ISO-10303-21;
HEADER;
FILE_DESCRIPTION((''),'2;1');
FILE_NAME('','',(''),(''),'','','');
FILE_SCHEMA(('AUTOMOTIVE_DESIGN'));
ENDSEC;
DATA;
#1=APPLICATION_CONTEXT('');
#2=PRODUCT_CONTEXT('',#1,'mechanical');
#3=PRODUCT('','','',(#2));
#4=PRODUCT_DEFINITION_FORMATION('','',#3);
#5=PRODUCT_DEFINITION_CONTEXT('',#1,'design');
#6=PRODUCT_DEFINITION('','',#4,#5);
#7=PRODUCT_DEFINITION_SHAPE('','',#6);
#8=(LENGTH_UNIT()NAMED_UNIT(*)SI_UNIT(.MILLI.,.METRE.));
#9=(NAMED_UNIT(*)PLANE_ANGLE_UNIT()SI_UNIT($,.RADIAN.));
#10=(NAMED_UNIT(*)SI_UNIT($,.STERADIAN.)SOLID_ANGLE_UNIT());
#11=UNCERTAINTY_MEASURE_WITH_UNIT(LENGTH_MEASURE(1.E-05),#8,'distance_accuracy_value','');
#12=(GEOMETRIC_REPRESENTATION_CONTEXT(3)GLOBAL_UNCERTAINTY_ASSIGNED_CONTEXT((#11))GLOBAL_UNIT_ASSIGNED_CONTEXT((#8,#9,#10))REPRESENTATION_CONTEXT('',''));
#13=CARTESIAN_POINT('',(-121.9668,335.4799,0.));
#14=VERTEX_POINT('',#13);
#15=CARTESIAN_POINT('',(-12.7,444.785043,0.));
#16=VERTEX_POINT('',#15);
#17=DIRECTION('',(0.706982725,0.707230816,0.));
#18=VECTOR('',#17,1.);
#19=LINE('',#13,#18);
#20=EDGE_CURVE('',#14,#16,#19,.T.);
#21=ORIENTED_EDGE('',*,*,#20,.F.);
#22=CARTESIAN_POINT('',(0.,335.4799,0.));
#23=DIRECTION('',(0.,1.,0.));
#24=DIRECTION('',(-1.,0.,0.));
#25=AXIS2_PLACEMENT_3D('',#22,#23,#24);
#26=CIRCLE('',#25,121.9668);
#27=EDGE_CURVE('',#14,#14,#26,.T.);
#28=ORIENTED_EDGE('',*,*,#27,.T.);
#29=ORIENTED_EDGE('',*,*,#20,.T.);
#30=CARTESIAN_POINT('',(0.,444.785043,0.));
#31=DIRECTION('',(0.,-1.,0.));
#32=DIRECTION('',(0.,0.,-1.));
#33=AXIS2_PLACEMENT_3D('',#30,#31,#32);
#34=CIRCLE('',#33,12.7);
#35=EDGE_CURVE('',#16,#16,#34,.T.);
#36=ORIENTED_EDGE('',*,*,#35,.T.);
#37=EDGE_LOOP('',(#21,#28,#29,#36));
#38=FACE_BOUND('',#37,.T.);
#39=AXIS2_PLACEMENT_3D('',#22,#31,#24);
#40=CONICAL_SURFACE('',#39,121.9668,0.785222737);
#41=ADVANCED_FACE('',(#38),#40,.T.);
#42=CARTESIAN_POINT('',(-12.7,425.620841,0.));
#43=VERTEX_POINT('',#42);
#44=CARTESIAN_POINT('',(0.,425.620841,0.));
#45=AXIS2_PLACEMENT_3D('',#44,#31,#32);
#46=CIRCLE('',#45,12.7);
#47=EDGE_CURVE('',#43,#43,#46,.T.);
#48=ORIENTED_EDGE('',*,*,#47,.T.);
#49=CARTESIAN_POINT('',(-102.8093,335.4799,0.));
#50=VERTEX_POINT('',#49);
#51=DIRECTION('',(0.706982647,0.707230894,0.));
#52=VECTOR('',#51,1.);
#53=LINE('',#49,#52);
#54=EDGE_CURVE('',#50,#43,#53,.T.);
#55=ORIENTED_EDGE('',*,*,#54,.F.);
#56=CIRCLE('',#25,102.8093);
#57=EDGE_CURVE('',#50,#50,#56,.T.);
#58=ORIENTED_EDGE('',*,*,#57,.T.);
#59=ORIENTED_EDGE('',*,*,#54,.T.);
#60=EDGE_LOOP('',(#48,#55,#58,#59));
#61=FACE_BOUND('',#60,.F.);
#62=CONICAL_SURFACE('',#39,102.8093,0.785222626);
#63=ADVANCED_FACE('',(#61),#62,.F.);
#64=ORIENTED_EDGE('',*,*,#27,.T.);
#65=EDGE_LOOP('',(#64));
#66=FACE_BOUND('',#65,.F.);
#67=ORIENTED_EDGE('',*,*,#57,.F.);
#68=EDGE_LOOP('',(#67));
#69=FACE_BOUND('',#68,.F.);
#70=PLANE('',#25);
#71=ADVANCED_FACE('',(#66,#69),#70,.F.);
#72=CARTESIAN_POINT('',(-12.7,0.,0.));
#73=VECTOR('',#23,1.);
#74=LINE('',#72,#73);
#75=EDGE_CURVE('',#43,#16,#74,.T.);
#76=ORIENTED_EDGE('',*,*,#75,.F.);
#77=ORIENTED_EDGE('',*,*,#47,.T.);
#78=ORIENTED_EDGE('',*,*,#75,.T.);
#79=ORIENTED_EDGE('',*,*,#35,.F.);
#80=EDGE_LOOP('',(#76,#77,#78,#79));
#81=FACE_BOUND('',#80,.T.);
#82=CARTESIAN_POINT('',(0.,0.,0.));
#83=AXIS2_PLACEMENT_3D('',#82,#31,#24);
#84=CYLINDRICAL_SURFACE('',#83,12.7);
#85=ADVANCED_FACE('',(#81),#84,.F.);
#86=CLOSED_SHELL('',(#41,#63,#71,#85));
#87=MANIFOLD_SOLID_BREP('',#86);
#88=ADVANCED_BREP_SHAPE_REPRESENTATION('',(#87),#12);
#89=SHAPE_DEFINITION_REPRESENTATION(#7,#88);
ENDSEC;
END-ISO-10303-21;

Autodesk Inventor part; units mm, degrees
ref_plane "YZ Plane" through (0, 0, 0) normal (1, 0, 0) x (0, 1, 0)
ref_plane "XZ Plane" through (0, 0, 0) normal (0, 1, 0) x (-1, 0, 0)
ref_plane "XY Plane" through (0, 0, 0) normal (0, 0, 1) x (1, 0, 0)
sketch "Sketch6" plane through (0, 0, 0) normal (0, 0, 1) x (1, 0, 0)
  line L0 (-121.9668, 335.4799) -> (0, 457.4895)
  line L1 (-102.8093, 335.4799) -> (0, 438.3253)
  line L2 (0, 457.4895) -> (0, 438.3253)
  line L3 (0, -91.4979) -> (0, 548.9874) projected
  line L4 (-121.9668, 335.4799) -> (-102.8093, 335.4799)
  point P0 (0, 0)
revolve "Revolution2" add sketch "Sketch6" angle 360 about axis through (0, -10, 0) along (0, 1, 0)
sketch "Sketch7" plane through (0, 0, 0) normal (0, 1, 0) x (-1, 0, 0)
  circle A0 centre (0, 0) radius 12.7
  dimension "d12" = 25.4
extrude "Extrusion3" cut sketch "Sketch7" along normal blind 762
properties part number "2r5sct" material "Acetal Resin, Black"
